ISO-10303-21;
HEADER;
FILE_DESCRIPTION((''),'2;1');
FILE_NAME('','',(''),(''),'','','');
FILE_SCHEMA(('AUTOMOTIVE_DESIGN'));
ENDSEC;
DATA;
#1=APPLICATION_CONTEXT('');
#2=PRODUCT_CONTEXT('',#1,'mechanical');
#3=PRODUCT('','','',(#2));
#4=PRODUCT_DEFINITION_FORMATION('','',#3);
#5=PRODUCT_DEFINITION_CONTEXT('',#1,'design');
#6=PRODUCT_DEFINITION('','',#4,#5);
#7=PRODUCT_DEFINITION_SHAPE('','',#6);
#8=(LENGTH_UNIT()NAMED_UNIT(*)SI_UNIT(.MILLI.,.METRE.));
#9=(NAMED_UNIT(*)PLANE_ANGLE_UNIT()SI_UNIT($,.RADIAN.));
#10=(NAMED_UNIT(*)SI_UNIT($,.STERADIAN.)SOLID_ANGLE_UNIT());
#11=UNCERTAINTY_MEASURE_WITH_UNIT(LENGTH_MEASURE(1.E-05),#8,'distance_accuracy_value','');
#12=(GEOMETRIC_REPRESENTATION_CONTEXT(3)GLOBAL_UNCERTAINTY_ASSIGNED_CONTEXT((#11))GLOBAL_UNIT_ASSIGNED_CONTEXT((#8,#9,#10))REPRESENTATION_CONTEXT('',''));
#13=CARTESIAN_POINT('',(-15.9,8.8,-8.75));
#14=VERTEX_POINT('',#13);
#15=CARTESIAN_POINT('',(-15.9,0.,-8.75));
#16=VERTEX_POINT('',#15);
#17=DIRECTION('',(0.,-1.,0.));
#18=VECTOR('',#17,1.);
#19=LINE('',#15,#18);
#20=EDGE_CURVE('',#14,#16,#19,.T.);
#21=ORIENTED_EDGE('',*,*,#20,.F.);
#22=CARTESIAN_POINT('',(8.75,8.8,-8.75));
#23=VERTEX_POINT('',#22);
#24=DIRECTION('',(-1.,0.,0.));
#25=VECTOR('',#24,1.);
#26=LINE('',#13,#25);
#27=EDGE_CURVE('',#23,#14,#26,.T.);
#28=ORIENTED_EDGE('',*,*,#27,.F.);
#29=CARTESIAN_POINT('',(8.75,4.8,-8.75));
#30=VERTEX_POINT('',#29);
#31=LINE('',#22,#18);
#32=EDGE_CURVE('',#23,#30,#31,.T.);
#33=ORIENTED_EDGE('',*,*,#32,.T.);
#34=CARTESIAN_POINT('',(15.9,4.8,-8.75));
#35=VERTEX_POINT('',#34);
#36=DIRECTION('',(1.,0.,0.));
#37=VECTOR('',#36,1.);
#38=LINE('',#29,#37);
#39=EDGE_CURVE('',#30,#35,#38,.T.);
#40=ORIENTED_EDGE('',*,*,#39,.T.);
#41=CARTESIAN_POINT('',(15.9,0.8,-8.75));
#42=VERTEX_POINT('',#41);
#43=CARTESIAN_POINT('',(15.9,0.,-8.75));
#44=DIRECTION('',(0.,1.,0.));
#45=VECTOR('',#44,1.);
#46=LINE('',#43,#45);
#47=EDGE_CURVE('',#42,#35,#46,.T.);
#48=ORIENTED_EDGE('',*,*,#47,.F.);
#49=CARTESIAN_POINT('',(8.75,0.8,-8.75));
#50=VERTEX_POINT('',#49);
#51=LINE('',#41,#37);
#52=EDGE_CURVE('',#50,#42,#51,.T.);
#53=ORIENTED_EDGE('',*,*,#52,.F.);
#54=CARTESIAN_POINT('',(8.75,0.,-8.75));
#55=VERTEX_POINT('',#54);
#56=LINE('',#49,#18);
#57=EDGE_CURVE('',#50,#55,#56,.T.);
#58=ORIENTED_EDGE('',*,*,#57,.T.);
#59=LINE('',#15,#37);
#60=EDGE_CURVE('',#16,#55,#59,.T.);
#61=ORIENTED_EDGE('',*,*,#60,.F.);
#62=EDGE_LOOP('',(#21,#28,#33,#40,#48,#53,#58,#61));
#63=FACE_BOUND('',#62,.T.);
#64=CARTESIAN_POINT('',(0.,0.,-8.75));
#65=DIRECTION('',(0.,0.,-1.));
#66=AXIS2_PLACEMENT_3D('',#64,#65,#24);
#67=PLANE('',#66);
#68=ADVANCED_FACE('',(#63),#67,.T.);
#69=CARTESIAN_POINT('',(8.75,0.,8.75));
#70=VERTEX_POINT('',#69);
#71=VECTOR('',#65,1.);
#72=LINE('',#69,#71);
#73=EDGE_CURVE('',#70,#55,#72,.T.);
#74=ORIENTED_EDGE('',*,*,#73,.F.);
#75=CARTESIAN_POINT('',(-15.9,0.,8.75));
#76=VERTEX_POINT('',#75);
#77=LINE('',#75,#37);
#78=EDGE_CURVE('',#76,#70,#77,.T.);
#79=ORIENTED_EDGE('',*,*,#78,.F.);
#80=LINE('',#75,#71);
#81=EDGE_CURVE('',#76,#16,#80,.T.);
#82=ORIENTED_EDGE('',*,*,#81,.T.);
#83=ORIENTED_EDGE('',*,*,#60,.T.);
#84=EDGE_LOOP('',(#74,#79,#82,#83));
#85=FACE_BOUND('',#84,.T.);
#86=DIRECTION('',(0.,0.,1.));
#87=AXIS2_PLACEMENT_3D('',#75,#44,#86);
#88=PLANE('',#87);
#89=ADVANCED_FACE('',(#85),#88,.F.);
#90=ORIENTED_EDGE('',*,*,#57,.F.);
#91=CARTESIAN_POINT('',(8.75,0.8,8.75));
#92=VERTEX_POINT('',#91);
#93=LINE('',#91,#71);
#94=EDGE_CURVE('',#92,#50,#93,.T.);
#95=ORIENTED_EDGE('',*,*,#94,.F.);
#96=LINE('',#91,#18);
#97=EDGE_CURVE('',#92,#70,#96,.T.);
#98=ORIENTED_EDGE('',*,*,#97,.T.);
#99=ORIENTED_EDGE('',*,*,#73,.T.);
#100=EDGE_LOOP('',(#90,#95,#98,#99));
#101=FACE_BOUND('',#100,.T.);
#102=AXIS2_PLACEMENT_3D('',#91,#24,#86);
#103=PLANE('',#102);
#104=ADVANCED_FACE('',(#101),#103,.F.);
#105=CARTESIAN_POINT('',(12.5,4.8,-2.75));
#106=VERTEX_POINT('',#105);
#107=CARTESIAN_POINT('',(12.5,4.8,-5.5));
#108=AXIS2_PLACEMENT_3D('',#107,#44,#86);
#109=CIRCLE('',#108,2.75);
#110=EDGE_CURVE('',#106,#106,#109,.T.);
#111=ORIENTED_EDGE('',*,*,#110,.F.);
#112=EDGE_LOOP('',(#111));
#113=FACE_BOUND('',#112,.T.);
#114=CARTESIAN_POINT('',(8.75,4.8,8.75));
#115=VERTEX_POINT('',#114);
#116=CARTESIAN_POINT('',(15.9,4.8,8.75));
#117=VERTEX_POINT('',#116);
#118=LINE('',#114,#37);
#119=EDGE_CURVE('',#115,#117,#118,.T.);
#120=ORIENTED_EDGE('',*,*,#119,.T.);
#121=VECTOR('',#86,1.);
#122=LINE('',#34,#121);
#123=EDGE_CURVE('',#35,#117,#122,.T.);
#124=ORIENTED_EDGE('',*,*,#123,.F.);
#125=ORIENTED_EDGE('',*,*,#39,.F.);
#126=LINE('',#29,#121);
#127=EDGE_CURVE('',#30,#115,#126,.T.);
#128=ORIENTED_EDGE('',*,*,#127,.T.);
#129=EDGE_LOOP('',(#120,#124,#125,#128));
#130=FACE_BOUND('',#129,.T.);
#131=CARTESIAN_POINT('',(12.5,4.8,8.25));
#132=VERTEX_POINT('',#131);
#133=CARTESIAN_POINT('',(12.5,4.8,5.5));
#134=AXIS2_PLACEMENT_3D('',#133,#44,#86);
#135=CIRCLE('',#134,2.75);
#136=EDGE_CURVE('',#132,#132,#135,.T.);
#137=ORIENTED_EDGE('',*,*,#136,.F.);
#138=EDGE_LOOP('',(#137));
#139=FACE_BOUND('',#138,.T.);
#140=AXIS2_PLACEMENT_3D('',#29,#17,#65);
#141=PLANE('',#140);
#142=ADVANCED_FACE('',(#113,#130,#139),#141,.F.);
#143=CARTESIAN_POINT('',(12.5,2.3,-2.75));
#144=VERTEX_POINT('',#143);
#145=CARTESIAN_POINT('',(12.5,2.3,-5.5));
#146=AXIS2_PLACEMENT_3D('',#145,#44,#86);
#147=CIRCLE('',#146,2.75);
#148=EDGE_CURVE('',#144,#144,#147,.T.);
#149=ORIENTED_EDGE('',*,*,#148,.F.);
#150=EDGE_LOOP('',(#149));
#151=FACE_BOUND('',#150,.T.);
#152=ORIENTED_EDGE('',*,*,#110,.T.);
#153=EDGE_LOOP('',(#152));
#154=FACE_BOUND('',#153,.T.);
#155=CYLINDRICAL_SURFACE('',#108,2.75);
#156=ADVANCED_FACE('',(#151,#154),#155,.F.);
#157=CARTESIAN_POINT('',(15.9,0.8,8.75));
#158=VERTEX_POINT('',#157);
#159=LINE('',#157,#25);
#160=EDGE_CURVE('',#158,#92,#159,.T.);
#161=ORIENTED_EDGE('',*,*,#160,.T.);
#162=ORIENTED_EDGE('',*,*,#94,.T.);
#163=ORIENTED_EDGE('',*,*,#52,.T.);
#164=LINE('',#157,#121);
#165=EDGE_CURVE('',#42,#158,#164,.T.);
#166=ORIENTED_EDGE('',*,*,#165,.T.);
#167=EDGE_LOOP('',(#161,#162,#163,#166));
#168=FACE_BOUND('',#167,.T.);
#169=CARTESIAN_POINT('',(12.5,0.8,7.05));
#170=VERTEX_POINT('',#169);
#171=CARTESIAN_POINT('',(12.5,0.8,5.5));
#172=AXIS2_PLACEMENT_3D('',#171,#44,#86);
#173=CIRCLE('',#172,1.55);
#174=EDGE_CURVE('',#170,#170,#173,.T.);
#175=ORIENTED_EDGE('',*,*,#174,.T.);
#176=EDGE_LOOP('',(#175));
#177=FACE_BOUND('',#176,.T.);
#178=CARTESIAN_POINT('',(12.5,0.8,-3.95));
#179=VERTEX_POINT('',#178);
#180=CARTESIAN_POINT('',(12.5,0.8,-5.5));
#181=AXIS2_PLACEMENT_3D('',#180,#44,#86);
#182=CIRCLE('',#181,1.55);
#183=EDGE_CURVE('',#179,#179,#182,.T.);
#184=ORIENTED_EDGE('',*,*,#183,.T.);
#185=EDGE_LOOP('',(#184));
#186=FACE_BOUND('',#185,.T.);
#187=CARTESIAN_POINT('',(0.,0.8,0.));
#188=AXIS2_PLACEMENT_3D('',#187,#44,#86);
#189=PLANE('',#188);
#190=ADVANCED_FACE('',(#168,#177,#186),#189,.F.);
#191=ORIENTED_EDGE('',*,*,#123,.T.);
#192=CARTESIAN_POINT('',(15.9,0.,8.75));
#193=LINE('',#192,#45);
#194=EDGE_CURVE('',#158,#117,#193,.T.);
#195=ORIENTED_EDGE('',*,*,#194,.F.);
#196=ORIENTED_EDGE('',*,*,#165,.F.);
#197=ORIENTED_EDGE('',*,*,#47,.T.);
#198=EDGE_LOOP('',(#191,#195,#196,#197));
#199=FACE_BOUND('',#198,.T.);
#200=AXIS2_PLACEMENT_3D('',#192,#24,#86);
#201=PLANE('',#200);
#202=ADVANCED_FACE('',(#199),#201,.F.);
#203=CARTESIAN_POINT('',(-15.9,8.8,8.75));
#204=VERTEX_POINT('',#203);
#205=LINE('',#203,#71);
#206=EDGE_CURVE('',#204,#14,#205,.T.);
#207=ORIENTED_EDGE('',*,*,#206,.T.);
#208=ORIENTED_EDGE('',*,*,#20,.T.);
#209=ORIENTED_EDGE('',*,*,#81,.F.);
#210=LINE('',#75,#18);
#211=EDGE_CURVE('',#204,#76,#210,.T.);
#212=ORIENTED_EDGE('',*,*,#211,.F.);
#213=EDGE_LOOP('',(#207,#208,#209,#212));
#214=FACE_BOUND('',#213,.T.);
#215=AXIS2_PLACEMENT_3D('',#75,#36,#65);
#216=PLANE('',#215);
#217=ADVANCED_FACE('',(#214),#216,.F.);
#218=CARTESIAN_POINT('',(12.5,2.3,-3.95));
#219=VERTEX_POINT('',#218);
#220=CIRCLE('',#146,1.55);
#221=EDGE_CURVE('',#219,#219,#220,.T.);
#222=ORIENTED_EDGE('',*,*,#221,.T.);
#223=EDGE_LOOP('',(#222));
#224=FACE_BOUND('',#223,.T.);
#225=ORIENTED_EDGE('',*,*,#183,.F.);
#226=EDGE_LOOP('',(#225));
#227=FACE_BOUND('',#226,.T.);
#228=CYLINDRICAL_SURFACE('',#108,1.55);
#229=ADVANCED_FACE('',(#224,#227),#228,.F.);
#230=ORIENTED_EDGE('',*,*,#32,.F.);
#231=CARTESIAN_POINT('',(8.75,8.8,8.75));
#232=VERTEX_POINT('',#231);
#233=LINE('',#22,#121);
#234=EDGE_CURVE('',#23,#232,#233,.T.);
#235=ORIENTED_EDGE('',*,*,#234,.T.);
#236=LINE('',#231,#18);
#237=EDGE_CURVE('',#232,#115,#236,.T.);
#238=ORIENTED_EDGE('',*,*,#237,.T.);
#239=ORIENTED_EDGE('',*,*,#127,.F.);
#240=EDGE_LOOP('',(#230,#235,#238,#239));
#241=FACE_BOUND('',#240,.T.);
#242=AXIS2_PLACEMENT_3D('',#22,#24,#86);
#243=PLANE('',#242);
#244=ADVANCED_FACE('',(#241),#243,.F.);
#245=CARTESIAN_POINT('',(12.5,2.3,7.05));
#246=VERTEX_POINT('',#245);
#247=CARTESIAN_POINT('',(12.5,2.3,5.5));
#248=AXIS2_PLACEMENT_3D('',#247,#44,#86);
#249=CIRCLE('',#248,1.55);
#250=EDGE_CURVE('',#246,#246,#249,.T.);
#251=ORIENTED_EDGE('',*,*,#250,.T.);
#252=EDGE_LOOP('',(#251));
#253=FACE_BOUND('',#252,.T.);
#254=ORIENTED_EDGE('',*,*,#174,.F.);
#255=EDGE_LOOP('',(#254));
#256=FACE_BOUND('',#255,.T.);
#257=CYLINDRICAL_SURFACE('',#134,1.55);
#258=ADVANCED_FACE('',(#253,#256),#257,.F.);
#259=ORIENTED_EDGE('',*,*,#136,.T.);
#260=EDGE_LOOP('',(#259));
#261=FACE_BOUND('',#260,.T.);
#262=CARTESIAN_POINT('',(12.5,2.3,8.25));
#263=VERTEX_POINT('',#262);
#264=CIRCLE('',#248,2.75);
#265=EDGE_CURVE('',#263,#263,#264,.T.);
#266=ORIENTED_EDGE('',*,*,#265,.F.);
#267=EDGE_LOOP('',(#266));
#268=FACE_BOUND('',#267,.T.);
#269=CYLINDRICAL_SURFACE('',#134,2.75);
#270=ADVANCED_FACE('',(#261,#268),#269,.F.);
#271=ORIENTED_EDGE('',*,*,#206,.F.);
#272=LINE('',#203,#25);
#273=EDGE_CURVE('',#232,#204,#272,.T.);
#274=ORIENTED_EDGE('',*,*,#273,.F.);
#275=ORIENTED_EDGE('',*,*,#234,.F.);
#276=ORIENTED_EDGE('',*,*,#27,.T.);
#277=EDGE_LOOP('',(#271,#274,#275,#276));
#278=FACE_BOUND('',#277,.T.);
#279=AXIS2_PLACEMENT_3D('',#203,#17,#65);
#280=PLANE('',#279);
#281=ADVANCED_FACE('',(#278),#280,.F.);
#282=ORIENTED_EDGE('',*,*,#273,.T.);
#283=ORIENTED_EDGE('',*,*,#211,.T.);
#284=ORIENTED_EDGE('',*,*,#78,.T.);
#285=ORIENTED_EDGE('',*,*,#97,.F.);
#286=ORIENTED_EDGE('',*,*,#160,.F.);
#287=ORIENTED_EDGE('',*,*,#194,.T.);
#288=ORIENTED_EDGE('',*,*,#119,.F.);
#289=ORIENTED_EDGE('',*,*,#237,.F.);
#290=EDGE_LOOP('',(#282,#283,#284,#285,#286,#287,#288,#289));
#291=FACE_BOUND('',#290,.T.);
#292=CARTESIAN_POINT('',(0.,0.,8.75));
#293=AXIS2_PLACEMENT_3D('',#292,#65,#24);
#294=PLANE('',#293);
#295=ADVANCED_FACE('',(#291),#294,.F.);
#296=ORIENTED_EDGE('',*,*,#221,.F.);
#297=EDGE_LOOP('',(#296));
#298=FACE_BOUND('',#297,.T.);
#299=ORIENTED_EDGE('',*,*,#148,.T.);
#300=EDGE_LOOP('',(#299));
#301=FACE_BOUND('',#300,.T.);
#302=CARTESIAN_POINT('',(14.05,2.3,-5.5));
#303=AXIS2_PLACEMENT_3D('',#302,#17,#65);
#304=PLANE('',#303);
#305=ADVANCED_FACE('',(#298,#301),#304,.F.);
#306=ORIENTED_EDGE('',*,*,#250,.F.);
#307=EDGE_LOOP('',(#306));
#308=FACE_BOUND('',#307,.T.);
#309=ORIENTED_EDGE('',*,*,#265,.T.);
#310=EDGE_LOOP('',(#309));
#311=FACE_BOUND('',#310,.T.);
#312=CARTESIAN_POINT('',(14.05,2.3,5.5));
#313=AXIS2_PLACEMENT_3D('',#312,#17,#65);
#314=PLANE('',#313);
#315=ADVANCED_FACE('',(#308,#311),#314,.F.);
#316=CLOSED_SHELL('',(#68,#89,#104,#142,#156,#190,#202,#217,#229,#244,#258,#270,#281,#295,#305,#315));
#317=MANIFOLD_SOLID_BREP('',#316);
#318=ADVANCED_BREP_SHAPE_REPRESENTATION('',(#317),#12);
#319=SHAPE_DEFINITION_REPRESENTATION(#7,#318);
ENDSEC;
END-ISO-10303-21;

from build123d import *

# Parameters (mm, degrees)
SZKIC1_W                                          = 31.8
SZKIC1_H                                          = 8.8
DODANIE_WYCI_GNI_CIE1_DEPTH                       = 8.75
SZKIC2_W                                          = 7.15
SZKIC2_H                                          = 17.5
WYTNIJ_WYCI_GNI_CIE1_DEPTH                        = 0.8
SZKIC3_W                                          = 7.15
SZKIC3_H                                          = 4
WYTNIJ_WYCI_GNI_CIE2_DEPTH                        = 26.228951623
POG_BIENIE_WALCOWE_POD_M2_5_RUB_Z_BEM_D           = 3.1
POG_BIENIE_WALCOWE_POD_M2_5_RUB_Z_BEM_CBORE_D     = 5.5
POG_BIENIE_WALCOWE_POD_M2_5_RUB_Z_BEM_CBORE_DEPTH = 2.5


with BuildPart() as part:
    # Szkic1 → Dodanie-wyciągnięcie1 (new, symmetric)
    with BuildSketch(Plane.XY):
        with Locations((0, 4.4)):
            Rectangle(SZKIC1_W, SZKIC1_H)
    extrude(amount=DODANIE_WYCI_GNI_CIE1_DEPTH, both=True)

    # Szkic2 → Wytnij-wyciągnięcie1 (cut)
    with BuildSketch(Plane.XZ):
        with Locations((12.325, 0)):
            Rectangle(SZKIC2_W, SZKIC2_H)
    extrude(amount=-WYTNIJ_WYCI_GNI_CIE1_DEPTH, mode=Mode.SUBTRACT)

    # Szkic3 → Wytnij-wyciągnięcie2 (cut, through all)
    with BuildSketch(Plane.XY.offset(8.75)):
        with Locations((12.325, 6.8)):
            Rectangle(SZKIC3_W, SZKIC3_H)
    extrude(amount=-WYTNIJ_WYCI_GNI_CIE2_DEPTH, mode=Mode.SUBTRACT)

    # Pogłębienie walcowe pod M2.5 Śrubę z łbem walcowym z gniazdem1 (through all)
    with Locations(Plane(origin=(0, 4.8, 0), x_dir=(1, 0, 0), z_dir=(0, 1, 0))):
        with Locations((12.5, 5.5), (12.5, -5.5)):
            CounterBoreHole(POG_BIENIE_WALCOWE_POD_M2_5_RUB_Z_BEM_D / 2, POG_BIENIE_WALCOWE_POD_M2_5_RUB_Z_BEM_CBORE_D / 2, POG_BIENIE_WALCOWE_POD_M2_5_RUB_Z_BEM_CBORE_DEPTH)


solid = part.part
